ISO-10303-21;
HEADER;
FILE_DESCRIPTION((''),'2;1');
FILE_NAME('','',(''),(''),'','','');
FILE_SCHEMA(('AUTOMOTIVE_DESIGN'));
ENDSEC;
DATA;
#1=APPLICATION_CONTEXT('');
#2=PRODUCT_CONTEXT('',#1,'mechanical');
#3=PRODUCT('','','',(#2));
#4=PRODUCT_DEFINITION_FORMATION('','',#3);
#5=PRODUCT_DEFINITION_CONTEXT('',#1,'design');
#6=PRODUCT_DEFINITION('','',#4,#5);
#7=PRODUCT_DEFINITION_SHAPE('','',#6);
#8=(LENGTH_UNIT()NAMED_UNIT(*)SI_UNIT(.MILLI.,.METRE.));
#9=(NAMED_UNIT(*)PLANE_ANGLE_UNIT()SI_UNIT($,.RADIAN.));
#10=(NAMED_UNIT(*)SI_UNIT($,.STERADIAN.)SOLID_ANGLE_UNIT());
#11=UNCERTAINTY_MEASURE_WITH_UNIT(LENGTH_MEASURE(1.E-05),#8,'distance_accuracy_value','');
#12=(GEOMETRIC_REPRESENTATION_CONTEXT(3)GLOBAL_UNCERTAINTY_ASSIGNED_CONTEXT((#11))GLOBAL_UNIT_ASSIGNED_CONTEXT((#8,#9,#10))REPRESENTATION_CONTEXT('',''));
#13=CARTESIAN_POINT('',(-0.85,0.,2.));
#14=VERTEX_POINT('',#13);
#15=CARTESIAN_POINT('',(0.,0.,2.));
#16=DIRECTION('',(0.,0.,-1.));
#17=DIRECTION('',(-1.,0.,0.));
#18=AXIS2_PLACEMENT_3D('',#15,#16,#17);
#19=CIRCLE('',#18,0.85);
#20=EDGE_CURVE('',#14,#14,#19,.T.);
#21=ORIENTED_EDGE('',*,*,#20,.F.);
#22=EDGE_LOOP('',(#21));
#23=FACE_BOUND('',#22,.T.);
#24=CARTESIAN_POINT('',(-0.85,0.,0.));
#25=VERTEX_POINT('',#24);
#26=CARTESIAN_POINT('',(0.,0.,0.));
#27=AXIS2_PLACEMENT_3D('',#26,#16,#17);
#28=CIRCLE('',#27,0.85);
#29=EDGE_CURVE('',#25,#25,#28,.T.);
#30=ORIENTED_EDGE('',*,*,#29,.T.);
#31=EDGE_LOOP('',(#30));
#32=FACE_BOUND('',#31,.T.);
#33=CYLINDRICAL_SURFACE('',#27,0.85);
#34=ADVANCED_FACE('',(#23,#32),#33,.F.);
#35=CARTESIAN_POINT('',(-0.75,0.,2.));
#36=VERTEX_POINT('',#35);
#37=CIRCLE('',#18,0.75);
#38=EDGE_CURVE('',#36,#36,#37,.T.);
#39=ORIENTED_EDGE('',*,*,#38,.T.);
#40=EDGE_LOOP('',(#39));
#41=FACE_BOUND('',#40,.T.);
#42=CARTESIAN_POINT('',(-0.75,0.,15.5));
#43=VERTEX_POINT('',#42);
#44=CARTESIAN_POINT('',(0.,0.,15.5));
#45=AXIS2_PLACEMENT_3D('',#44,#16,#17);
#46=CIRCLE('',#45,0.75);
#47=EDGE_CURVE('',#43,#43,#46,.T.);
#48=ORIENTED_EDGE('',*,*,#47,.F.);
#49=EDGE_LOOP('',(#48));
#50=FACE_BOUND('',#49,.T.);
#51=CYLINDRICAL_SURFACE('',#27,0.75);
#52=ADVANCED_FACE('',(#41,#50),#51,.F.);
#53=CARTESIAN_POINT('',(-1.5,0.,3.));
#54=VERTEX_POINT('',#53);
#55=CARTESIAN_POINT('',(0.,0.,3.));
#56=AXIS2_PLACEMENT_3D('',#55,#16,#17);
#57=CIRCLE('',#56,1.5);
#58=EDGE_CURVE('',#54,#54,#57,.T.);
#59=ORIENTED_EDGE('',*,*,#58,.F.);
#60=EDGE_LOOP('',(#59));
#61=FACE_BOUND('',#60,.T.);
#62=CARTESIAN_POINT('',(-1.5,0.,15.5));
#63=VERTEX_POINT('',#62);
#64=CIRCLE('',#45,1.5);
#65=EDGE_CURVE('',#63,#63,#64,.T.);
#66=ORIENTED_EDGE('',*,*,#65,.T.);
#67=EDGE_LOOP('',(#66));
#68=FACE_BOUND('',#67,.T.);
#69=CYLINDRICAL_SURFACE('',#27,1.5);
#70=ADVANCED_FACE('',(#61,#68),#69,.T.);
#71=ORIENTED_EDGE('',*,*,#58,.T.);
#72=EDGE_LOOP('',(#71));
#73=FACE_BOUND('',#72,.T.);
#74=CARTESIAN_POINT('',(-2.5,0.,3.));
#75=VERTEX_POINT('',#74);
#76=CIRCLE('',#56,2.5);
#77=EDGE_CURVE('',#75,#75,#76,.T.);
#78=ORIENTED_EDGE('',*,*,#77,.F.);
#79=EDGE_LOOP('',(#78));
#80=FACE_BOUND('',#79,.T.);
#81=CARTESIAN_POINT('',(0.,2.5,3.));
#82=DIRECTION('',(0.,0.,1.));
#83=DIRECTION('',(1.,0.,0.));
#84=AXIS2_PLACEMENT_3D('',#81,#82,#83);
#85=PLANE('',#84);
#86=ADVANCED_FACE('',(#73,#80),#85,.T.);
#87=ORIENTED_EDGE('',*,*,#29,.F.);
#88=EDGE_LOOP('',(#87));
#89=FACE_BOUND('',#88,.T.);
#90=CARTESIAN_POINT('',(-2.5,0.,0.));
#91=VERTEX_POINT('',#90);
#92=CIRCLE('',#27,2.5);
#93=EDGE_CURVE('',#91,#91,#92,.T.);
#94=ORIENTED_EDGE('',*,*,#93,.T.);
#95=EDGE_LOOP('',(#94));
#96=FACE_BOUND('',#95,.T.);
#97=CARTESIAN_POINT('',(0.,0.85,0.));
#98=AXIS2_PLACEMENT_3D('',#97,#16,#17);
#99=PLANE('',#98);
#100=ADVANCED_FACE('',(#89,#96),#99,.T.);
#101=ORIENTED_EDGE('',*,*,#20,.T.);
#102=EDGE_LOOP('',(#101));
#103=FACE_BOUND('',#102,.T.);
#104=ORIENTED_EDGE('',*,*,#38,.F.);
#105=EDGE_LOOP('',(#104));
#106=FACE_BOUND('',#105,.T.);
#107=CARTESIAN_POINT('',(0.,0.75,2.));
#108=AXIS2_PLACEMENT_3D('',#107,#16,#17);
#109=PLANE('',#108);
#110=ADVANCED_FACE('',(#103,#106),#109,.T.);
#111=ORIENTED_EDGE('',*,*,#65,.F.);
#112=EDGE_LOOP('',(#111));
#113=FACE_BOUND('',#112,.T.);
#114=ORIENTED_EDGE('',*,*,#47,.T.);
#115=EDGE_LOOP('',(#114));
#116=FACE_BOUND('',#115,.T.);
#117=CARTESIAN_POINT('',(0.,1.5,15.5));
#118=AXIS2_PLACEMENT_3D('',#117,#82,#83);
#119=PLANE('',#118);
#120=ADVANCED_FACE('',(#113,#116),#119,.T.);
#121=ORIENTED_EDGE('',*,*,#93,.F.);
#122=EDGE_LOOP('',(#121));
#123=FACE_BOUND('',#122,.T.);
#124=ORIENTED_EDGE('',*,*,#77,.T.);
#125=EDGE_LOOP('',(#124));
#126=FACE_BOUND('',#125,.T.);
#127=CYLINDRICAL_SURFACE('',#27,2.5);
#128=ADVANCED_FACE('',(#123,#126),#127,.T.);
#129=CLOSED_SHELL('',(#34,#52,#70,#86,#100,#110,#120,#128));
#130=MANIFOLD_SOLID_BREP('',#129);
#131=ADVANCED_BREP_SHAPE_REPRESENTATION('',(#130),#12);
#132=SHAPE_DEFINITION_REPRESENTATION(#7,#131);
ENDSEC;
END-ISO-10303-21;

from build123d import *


with BuildPart() as part:
    # Sketch1 → Revolve1 (revolve)
    with BuildSketch(Plane(origin=(0, 0, 0), x_dir=(0, 0, -1), z_dir=(1, 0, 0)), mode=Mode.PRIVATE) as revolve1_sk:
        Polygon((0, 0.85), (0, 2.5), (-3, 2.5), (-3, 1.5), (-15.5, 1.5), (-15.5, 0.75), (-2, 0.75), (-2, 0.85), align=None)
    revolve(revolve1_sk.sketch.rotate(Axis((0, 0, 0), (0, 0, 1)), 90), axis=Axis((0, 0, 0), (0, 0, 1)))


solid = part.part
